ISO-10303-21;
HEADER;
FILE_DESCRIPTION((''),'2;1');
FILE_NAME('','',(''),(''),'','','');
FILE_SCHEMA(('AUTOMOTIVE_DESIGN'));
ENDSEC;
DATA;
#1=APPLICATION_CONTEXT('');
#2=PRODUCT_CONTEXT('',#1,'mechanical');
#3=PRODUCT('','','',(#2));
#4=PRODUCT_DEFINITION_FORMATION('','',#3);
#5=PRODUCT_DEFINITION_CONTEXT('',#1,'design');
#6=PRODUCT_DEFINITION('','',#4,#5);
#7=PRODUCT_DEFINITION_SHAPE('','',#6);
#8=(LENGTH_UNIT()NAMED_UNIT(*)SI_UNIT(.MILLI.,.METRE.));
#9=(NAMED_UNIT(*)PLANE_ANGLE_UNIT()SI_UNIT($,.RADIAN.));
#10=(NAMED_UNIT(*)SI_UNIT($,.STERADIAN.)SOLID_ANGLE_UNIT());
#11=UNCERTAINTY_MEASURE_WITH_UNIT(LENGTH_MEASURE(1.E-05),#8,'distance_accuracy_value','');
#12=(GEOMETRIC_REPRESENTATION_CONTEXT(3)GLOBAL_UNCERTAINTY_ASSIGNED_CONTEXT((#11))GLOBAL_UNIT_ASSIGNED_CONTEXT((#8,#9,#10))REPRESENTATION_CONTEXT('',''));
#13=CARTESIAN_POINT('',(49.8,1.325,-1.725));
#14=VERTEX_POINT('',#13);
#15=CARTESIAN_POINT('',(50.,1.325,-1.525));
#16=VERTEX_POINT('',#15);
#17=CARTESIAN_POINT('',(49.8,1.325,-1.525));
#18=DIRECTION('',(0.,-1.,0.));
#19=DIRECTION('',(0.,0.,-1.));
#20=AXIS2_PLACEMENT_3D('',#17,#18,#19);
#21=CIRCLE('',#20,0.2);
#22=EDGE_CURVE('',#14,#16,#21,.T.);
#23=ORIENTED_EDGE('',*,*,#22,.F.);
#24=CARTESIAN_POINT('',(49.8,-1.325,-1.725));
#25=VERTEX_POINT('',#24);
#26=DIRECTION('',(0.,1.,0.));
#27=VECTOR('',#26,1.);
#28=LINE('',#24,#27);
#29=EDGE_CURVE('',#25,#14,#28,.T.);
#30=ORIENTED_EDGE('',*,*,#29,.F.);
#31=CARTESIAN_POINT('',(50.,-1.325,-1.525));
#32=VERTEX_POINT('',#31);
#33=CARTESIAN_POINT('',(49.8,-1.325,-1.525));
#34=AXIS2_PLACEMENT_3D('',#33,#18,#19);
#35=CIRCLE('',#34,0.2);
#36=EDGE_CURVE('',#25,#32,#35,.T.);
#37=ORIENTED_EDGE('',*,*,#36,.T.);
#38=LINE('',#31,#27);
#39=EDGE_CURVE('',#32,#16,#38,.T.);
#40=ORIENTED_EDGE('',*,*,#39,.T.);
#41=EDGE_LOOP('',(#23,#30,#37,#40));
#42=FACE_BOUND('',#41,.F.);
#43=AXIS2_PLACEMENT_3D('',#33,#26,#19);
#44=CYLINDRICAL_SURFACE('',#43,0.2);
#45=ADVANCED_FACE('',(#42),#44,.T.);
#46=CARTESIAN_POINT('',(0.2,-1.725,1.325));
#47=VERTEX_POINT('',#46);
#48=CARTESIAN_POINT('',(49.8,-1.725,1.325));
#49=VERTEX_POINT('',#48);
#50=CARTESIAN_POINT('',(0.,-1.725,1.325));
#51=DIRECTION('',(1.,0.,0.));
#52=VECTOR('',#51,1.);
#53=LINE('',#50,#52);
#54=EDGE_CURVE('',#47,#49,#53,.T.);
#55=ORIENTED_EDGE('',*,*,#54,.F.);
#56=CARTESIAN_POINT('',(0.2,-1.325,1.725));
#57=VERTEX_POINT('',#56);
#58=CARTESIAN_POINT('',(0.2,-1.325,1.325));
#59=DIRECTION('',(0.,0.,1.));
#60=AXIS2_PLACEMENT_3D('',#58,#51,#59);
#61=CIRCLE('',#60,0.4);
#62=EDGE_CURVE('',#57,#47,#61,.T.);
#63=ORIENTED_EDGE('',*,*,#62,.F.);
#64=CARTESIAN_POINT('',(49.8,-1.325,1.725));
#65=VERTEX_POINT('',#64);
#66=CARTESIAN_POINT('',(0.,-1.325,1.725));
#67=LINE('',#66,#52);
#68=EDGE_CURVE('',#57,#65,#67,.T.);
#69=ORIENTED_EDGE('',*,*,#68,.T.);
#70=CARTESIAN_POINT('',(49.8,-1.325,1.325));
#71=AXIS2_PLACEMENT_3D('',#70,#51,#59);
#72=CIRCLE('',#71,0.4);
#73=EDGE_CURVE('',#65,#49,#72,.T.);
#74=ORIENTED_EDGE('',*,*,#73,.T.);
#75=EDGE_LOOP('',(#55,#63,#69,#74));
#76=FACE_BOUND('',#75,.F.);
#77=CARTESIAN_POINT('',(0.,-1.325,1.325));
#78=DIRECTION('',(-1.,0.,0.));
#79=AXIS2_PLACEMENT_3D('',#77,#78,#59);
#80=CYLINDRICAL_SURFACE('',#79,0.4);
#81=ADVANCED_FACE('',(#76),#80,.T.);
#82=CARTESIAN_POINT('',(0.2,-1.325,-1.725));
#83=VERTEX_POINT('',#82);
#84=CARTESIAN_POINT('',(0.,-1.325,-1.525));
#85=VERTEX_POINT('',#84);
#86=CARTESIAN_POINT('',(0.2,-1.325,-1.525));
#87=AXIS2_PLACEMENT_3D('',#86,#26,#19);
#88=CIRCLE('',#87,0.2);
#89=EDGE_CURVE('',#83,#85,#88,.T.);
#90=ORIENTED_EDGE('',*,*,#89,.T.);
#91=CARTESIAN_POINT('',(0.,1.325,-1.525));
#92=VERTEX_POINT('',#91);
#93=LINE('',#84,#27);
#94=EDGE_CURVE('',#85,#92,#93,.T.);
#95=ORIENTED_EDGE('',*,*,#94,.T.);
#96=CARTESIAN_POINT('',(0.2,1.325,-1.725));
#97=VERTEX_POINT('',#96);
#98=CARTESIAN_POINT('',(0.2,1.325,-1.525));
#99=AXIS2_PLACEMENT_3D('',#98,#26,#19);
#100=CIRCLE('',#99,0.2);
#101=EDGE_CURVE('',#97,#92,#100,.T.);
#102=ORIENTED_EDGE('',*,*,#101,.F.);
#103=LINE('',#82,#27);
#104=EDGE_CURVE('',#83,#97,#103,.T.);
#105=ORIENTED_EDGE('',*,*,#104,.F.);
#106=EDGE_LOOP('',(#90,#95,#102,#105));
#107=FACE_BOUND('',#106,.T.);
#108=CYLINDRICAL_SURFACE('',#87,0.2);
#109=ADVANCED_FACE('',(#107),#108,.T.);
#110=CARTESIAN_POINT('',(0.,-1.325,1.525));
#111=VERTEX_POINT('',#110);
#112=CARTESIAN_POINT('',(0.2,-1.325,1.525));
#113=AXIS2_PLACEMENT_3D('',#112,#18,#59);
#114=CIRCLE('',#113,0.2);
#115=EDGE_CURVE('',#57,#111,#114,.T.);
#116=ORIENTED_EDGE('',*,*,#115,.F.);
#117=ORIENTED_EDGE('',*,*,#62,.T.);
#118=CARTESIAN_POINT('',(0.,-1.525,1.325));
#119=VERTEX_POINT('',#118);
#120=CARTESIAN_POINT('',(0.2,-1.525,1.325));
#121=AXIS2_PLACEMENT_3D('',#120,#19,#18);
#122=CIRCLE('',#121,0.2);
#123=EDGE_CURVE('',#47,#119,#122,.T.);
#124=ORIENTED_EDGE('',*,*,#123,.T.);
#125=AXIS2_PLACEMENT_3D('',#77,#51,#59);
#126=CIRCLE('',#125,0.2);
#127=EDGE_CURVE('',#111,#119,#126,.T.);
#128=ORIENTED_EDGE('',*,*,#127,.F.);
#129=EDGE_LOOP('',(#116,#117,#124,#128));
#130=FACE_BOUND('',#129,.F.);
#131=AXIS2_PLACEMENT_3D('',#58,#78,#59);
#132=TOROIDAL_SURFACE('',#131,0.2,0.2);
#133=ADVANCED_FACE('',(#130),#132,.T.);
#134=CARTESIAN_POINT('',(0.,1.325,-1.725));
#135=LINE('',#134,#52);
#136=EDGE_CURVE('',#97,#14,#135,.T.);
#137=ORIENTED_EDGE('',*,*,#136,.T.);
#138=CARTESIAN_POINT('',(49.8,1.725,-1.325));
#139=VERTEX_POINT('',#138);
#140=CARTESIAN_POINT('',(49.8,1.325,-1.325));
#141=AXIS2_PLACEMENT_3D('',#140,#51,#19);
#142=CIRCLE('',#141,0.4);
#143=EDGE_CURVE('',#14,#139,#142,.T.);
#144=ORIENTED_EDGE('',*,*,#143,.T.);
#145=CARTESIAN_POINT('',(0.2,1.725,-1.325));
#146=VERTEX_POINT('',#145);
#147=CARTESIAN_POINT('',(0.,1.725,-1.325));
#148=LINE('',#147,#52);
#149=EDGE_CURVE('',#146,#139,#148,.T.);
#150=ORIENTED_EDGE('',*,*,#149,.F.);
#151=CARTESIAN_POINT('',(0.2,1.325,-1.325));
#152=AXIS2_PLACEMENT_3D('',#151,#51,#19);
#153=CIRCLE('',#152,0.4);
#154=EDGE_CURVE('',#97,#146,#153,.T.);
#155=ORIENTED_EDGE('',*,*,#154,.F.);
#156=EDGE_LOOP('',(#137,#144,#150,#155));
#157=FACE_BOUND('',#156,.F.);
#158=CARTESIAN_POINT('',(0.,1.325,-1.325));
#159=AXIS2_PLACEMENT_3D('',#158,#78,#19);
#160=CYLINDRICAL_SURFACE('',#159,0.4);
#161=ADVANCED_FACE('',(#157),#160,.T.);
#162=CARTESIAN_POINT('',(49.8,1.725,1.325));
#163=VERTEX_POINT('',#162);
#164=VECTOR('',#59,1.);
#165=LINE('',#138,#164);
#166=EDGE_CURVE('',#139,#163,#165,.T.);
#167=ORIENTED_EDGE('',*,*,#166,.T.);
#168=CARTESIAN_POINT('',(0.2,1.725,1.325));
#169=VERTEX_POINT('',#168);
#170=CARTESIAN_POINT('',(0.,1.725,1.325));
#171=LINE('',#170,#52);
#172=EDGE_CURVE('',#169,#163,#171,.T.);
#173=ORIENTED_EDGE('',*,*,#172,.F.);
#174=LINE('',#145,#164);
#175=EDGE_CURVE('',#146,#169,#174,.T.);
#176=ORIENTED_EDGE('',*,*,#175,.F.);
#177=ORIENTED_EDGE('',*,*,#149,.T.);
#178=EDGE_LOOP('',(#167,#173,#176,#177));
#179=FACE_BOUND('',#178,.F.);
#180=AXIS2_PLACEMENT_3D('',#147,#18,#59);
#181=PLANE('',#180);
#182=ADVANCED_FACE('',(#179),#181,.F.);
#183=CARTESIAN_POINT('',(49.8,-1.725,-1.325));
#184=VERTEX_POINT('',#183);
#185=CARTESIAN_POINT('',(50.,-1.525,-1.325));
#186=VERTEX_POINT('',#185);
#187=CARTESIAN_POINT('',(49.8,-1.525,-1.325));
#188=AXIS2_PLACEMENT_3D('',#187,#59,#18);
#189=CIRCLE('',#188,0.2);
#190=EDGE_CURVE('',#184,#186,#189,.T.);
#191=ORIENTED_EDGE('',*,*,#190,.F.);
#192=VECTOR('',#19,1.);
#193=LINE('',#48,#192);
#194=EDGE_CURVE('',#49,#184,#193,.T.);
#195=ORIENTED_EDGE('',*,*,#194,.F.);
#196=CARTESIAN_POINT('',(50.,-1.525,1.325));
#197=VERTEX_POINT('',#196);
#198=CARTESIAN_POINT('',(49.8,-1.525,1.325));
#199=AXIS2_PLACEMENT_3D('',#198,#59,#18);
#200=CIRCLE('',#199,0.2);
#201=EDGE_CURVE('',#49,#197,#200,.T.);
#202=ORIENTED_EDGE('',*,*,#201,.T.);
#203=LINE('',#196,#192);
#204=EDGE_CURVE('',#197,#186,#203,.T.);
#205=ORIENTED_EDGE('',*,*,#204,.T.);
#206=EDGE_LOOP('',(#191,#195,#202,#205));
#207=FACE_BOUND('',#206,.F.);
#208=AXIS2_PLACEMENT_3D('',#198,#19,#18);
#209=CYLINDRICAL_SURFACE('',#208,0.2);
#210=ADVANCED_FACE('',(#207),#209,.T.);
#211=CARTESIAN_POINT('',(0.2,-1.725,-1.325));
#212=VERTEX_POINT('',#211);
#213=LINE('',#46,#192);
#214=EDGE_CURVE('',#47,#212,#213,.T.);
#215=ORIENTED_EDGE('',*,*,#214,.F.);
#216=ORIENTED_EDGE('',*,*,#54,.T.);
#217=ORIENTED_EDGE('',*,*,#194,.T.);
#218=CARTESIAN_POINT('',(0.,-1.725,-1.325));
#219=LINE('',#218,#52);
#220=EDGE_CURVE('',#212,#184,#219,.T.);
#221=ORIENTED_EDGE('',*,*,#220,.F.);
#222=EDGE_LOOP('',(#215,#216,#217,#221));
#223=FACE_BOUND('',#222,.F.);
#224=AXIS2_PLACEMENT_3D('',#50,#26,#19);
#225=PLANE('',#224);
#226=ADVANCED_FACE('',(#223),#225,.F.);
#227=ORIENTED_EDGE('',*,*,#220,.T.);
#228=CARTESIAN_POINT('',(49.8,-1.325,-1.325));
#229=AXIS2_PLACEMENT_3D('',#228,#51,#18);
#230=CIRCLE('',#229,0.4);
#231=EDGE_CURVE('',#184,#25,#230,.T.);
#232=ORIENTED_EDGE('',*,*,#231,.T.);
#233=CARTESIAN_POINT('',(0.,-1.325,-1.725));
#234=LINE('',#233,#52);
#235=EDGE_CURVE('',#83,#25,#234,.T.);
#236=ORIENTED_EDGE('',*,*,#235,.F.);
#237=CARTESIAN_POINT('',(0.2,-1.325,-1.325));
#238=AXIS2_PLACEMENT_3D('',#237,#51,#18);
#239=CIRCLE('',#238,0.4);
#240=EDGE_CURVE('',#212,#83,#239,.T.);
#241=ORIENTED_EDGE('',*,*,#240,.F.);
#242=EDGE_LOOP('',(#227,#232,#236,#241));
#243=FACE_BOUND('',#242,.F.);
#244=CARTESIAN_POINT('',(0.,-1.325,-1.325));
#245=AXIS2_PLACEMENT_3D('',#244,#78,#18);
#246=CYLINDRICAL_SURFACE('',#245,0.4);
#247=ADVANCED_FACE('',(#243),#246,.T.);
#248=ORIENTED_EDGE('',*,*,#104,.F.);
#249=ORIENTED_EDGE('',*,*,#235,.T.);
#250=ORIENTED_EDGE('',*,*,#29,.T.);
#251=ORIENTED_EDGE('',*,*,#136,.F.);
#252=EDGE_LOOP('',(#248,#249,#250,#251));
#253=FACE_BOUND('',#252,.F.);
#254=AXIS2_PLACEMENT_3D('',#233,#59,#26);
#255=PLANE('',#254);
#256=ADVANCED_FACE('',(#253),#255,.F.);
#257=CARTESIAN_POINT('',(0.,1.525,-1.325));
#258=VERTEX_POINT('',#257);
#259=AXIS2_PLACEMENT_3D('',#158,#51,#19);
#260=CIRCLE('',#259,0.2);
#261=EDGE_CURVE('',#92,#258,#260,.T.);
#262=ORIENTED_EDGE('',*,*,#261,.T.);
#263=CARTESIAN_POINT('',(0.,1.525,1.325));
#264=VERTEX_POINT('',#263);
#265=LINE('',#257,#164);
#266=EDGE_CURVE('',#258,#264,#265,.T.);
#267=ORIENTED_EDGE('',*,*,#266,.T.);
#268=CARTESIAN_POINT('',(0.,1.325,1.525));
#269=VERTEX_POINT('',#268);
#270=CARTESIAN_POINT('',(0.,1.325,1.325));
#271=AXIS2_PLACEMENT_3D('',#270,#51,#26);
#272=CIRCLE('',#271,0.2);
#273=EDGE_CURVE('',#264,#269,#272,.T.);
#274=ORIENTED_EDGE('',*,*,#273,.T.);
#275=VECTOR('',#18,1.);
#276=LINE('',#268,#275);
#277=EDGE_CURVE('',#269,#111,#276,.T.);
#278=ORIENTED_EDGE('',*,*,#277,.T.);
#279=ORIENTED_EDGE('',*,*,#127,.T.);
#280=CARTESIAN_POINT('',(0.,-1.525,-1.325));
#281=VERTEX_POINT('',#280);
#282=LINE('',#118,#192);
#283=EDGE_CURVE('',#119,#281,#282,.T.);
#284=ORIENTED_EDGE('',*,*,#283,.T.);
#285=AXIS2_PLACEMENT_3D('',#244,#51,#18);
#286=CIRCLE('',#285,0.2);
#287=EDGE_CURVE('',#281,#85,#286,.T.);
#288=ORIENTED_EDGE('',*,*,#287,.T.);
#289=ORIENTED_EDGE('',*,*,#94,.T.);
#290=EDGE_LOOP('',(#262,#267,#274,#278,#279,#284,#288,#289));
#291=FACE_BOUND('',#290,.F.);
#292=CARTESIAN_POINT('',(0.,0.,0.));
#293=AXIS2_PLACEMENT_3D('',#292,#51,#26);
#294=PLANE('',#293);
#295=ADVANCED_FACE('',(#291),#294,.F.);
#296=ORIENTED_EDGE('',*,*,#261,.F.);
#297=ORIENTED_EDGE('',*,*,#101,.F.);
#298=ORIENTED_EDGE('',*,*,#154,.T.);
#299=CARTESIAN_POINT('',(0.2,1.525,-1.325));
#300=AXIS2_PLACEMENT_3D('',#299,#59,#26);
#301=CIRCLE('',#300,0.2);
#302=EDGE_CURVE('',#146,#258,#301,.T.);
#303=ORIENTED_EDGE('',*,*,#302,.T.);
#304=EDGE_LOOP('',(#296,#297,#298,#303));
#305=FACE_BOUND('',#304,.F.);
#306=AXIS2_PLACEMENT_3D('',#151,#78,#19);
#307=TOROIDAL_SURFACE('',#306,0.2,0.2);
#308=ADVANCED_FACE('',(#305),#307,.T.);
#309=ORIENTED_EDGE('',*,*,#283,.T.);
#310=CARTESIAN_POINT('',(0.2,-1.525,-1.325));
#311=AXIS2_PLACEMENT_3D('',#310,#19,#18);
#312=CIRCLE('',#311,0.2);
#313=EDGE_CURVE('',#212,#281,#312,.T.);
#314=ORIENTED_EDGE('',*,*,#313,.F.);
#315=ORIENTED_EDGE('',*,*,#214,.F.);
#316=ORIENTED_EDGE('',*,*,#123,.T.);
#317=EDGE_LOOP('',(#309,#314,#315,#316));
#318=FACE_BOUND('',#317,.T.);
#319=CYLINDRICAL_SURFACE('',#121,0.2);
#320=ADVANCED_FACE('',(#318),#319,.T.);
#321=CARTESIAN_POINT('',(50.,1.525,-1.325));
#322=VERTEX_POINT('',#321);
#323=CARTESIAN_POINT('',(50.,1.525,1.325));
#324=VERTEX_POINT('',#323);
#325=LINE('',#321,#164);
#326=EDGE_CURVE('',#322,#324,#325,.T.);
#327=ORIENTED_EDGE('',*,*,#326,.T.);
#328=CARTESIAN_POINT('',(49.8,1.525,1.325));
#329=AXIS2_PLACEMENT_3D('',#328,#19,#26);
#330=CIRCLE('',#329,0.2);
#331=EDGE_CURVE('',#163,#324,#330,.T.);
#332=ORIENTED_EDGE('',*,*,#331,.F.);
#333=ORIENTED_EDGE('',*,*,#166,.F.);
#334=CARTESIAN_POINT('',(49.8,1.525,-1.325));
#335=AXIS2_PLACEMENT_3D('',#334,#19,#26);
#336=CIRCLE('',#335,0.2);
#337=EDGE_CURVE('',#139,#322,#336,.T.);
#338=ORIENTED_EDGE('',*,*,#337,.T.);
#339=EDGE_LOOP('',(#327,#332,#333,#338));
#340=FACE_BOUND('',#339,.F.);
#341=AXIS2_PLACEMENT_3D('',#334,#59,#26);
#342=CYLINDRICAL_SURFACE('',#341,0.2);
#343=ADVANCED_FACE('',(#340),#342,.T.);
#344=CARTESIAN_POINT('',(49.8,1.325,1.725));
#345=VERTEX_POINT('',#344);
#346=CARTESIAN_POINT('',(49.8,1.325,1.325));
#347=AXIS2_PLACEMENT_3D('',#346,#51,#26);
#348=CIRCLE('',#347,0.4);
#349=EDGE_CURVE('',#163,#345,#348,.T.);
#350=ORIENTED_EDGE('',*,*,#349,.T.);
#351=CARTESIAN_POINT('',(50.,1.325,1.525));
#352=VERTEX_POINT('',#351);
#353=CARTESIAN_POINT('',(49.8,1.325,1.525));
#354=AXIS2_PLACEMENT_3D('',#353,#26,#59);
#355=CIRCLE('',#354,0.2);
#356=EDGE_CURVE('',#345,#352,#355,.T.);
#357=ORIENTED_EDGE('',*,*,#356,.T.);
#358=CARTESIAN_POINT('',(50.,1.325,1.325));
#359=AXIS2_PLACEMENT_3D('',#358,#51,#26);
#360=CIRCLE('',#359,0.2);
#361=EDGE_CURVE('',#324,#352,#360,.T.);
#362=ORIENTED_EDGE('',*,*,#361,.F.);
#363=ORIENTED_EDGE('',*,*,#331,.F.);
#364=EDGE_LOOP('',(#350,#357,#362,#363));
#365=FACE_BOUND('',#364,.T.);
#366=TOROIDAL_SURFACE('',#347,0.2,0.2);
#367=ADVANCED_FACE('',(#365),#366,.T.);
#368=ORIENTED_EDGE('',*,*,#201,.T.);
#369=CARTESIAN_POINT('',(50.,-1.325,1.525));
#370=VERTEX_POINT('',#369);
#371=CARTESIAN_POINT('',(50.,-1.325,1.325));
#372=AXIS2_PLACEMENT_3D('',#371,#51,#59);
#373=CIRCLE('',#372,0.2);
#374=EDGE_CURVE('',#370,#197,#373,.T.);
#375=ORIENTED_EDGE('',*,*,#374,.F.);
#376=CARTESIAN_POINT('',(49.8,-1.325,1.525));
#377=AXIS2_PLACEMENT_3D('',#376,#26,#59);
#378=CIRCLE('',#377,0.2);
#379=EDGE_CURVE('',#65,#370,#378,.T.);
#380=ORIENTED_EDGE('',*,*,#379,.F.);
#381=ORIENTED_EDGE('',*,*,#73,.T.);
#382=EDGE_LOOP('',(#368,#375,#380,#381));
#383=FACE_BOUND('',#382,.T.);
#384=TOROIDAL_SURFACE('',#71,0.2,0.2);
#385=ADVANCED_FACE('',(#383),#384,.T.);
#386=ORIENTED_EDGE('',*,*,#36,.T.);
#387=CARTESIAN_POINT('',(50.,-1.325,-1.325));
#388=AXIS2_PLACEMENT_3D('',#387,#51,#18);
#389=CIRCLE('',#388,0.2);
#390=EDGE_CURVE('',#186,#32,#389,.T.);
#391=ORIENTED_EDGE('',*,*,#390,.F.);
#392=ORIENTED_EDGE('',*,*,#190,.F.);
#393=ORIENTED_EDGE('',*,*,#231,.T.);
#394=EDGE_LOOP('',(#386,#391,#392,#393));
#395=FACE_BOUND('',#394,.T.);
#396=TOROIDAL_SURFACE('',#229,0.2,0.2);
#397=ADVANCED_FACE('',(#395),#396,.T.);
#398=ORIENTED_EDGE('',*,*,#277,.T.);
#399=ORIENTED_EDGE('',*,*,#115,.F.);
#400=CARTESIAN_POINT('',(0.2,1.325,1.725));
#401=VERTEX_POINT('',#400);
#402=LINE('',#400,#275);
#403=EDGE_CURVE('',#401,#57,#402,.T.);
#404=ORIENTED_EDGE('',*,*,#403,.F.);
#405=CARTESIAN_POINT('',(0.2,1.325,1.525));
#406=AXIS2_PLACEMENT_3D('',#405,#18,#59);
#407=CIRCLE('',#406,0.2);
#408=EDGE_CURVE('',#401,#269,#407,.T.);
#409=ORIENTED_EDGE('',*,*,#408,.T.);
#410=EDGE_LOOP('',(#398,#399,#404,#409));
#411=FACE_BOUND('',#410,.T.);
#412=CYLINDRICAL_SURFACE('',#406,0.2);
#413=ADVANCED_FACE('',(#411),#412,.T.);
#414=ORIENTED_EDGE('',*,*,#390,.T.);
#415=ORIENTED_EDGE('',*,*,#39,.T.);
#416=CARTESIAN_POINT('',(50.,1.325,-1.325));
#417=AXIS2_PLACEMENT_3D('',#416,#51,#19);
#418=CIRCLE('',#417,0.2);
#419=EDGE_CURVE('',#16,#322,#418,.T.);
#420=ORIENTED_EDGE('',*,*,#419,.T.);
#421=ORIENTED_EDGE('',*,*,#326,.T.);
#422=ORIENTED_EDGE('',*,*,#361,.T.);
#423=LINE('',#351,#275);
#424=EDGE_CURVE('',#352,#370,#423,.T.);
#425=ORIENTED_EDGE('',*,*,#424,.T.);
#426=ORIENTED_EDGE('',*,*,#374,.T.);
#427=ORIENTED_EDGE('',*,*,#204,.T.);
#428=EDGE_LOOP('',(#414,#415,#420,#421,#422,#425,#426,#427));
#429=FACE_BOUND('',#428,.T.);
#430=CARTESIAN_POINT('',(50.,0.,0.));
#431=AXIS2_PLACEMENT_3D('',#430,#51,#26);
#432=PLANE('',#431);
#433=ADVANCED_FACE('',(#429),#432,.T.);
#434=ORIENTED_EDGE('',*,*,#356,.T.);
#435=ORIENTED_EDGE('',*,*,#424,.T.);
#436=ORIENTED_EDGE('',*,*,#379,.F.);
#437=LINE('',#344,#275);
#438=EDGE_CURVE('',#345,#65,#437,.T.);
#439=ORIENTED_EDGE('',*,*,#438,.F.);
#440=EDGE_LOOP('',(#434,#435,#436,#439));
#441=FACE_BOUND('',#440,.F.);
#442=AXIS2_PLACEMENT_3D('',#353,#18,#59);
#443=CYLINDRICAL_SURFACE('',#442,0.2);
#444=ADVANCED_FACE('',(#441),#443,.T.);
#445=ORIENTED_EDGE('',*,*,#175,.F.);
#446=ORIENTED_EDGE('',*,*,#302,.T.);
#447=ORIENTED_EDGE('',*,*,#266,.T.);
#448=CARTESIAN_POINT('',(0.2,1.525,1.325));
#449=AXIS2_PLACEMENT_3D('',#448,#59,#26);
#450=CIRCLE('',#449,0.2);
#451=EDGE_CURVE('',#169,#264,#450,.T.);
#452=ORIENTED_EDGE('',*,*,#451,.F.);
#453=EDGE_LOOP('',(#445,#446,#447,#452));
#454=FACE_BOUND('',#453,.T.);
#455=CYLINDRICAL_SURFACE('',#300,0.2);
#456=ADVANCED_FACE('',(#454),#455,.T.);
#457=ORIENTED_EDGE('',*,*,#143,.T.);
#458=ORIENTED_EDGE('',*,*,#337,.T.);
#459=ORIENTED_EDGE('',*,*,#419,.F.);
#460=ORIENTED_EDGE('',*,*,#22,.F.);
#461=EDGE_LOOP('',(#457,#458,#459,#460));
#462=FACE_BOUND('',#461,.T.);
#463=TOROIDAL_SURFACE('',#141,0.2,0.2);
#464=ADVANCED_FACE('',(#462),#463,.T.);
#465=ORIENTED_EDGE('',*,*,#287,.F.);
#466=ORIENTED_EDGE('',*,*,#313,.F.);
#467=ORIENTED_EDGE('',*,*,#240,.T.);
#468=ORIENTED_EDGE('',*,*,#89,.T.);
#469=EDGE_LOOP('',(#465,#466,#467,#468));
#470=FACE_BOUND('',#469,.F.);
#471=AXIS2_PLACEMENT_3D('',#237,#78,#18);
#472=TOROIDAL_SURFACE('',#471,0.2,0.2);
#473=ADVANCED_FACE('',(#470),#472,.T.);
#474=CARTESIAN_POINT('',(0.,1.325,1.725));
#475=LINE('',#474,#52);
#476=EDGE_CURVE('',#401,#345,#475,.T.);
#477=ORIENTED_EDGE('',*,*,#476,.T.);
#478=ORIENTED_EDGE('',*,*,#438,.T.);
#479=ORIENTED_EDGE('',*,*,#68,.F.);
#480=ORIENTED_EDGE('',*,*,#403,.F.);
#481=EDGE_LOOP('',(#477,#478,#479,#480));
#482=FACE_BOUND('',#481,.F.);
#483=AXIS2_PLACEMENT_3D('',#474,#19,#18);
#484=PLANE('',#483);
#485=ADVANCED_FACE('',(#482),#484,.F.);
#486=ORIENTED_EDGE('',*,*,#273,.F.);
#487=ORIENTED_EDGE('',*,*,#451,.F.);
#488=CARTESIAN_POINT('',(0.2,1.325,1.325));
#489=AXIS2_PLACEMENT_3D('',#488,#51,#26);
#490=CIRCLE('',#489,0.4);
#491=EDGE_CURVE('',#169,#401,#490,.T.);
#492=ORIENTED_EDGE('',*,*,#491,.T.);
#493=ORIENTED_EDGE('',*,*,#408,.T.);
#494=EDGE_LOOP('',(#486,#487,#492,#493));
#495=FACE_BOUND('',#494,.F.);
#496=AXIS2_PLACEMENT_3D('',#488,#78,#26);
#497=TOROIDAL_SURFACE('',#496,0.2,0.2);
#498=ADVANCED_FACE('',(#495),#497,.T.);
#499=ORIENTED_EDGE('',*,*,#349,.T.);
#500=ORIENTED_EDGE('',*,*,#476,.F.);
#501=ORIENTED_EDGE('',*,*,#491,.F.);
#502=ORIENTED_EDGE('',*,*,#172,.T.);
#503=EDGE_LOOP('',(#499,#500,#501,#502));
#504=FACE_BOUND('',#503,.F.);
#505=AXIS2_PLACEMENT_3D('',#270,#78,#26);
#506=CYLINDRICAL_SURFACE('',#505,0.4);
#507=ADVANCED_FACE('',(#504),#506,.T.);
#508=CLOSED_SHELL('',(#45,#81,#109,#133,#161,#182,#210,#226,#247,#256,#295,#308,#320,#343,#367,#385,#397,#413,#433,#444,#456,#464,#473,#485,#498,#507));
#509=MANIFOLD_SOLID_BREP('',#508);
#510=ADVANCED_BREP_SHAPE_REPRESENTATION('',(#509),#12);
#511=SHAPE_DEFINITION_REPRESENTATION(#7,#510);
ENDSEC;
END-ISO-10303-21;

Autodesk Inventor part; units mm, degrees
ref_plane "YZ Plane" through (0, 0, 0) normal (1, 0, 0) x (0, 1, 0)
ref_plane "XZ Plane" through (0, 0, 0) normal (0, 1, 0) x (-1, 0, 0)
ref_plane "XY Plane" through (0, 0, 0) normal (0, 0, 1) x (1, 0, 0)
feature "Base1" [suppressed]
thicken "Thicken1" [suppressed]
ref_plane "Work Plane1" through (-1.4, -18.2, -1.4) normal (-0.7071, 0, 0.7071) x (0.7071, 0, 0.7071)
ref_plane "Work Plane2" through (1.5414, 21.8, -1.5414) normal (-0.7071, 0, 0.7071) x (0, -1, 0)
ref_plane "Work Plane3" through (-1.5414, 21.8, 1.5414) normal (-0.7071, 0, 0.7071) x (0, -1, 0)
sketch "Sketch1" plane through (0, 0, 0) normal (1, 0, 0) x (0, 1, 0)
  line L0 (1.325, 1.725) -> (-1.325, 1.725)
  line L1 (-1.725, 1.325) -> (-1.725, -1.325)
  line L2 (-1.325, -1.725) -> (1.325, -1.725)
  line L3 (1.725, -1.325) -> (1.725, 1.325)
  line L4 (1.725, 1.725) -> (-1.725, -1.725) construction
  line L5 (-1.725, 1.725) -> (1.725, -1.725) construction
  arc A0 (1.725, 1.325) -> (1.325, 1.725) centre (1.325, 1.325) ccw
  arc A1 (-1.325, 1.725) -> (-1.725, 1.325) centre (-1.325, 1.325) ccw
  arc A2 (-1.725, -1.325) -> (-1.325, -1.725) centre (-1.325, -1.325) ccw
  arc A3 (1.325, -1.725) -> (1.725, -1.325) centre (1.325, -1.325) ccw
  point P0 (0, 0)
  dimension "d2" = 3.45
  dimension "d3" = 3.45
  dimension "d4" = 0.4
extrude "Extrusion1" add sketch "Sketch1" along normal blind 50
fillet "Fillet1" radius 0.2 16 edges at (50, 1.6078, 1.6078) (50, 0, 1.725) (50, -1.6078, 1.6078) (50, -1.725, 0) (50, -1.6078, -1.6078) (50, 0, -1.725) (50, 1.6078, -1.6078) (50, 1.725, 0) (0, 1.6078, 1.6078) (0, 0, 1.725) (0, -1.6078, 1.6078) (0, -1.725, 0) (0, -1.6078, -1.6078) (0, 0, -1.725) (0, 1.6078, -1.6078) (0, 1.725, 0)
equation "\"d3\" = d2"
properties part number "Axle 5s"
